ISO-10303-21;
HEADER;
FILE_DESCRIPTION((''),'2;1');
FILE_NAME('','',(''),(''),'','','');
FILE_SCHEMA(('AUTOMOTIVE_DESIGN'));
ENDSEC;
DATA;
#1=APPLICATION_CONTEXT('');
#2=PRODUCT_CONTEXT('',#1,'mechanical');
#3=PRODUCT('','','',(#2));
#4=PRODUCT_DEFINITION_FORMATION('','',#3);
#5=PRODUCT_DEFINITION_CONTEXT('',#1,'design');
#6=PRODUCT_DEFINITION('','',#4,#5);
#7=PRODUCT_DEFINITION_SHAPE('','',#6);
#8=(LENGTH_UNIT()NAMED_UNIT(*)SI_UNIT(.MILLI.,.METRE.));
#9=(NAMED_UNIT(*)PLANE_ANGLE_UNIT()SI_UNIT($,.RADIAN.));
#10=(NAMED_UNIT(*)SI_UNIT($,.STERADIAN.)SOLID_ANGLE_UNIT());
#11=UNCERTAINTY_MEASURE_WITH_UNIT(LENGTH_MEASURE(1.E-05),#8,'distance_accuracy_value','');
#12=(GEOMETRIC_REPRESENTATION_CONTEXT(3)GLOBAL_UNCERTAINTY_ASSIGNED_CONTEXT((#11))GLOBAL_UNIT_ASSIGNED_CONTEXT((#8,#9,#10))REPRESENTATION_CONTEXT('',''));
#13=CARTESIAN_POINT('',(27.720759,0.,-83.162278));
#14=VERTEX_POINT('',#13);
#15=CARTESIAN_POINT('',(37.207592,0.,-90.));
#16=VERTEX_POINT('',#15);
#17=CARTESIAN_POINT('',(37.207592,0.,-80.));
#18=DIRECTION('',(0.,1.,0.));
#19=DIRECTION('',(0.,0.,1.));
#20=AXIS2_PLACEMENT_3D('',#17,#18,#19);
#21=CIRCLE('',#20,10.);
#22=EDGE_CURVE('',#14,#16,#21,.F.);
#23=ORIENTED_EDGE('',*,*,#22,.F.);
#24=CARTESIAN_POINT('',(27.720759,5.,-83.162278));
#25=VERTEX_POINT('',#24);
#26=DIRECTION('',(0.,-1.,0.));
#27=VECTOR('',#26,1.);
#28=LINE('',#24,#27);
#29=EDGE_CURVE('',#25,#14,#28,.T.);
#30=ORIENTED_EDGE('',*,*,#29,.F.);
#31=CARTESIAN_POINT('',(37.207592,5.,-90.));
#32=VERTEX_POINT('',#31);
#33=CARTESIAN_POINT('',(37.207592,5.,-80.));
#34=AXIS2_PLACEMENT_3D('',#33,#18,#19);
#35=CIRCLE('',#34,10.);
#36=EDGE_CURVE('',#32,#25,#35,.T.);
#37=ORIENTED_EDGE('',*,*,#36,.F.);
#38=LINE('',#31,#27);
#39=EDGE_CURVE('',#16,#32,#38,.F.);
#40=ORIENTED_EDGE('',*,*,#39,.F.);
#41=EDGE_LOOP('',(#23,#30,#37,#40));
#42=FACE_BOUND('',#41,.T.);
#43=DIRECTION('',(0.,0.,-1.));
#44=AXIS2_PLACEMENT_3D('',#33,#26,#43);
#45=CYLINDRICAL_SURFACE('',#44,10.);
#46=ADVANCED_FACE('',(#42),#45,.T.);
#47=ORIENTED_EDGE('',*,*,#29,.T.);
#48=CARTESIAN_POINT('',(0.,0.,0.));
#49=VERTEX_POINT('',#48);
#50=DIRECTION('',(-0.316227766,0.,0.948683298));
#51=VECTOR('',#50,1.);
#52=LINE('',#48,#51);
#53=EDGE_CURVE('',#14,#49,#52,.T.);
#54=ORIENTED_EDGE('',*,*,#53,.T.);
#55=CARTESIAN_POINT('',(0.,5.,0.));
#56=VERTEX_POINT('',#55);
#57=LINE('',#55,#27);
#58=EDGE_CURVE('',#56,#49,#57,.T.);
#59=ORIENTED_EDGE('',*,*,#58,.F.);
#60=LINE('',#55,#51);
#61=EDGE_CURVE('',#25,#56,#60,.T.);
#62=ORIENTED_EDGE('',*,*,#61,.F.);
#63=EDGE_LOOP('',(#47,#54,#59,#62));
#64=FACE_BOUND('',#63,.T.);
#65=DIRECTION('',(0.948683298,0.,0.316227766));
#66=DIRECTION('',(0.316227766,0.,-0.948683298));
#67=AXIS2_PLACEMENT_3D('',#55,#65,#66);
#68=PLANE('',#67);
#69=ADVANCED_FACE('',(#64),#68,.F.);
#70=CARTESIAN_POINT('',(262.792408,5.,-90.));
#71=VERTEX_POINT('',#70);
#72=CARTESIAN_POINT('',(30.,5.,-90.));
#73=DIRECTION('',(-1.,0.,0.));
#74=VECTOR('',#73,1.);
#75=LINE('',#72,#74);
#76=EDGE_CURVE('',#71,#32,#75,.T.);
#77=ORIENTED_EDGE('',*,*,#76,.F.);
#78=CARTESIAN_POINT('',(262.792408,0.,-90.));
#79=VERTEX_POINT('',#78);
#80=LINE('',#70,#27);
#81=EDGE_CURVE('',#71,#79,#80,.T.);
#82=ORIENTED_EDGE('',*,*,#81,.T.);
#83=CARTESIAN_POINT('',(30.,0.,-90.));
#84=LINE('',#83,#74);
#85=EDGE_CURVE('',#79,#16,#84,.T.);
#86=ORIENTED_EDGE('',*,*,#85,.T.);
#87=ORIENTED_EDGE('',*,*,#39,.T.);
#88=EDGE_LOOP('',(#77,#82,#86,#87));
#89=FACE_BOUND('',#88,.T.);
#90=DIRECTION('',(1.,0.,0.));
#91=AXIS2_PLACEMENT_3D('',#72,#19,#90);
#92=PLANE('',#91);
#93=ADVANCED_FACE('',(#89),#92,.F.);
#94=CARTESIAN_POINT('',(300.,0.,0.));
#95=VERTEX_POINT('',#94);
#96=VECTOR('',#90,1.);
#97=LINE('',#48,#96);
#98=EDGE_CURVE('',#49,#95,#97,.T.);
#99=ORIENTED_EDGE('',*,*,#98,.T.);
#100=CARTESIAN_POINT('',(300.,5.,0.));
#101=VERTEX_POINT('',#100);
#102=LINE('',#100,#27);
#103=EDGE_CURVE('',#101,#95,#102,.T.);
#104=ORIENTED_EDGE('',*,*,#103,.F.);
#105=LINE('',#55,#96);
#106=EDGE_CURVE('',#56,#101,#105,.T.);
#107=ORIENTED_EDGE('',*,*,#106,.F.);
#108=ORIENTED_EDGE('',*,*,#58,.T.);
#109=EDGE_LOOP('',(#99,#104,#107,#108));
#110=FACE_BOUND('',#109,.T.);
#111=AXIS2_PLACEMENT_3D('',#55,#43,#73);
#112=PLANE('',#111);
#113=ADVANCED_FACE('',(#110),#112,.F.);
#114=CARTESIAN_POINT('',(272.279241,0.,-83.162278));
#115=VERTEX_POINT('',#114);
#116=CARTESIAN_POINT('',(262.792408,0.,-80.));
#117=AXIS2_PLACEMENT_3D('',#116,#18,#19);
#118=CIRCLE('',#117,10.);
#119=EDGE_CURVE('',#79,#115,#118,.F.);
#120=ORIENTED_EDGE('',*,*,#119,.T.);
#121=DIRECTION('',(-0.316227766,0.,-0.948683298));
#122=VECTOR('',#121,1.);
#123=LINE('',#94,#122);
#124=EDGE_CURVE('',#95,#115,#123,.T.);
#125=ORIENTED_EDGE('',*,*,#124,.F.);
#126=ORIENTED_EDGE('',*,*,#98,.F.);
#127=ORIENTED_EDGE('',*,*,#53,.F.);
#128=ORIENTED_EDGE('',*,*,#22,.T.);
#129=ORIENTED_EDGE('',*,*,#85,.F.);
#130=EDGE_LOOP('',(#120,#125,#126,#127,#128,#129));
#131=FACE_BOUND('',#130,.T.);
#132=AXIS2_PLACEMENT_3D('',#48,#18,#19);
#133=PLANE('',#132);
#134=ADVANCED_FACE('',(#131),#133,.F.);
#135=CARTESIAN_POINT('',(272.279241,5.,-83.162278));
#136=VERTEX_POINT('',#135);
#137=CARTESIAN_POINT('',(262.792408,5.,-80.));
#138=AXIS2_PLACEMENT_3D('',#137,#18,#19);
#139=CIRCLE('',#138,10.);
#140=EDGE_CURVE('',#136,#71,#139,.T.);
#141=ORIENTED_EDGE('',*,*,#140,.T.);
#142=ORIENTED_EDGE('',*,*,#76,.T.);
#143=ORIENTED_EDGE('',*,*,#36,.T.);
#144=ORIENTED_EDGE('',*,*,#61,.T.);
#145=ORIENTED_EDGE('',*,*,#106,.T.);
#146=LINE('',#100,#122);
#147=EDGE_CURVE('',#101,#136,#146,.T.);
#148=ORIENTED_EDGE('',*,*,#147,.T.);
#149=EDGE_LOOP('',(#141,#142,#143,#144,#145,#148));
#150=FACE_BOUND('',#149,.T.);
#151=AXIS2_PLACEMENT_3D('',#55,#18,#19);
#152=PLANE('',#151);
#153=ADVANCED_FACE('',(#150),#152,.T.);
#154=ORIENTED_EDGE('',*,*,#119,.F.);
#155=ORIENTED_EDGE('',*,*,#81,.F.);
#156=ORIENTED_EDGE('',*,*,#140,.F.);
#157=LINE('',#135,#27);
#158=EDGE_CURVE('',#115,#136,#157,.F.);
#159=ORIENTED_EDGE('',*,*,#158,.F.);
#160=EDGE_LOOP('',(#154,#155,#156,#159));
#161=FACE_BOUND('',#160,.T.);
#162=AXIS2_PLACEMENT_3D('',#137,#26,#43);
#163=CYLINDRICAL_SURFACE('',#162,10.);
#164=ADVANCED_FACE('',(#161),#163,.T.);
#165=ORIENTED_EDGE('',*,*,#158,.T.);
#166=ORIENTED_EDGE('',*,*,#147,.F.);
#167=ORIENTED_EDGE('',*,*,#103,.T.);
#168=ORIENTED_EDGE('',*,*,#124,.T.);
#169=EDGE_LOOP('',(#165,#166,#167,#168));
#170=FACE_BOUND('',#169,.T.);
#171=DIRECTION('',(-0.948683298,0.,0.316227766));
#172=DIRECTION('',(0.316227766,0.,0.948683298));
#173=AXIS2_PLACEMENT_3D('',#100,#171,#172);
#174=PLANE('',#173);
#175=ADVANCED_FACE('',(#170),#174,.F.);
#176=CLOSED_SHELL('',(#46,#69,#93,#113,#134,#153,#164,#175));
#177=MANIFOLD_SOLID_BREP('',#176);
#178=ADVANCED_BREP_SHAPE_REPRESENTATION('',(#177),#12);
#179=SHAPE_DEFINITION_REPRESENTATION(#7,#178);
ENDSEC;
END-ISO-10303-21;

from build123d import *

# Parameters (mm, degrees)
BOSS_EXTRUDE1_DEPTH = 5
FILLET1_R           = 10


with BuildPart() as part:
    # Sketch1 → Boss-Extrude1 (new body)
    with BuildSketch(Plane(origin=(0, 0, 0), x_dir=(1, 0, 0), z_dir=(0, 1, 0))):
        Polygon((0, 0), (30, 90), (270, 90), (300, 0), align=None)
    extrude(amount=BOSS_EXTRUDE1_DEPTH)

    # Fillet1
    fillet1_edges = [part.edges().sort_by_distance(p)[0] for p in [
        (30, 2.5, -90),
        (270, 2.5, -90),
    ]]
    fillet(fillet1_edges, radius=FILLET1_R)


solid = part.part
